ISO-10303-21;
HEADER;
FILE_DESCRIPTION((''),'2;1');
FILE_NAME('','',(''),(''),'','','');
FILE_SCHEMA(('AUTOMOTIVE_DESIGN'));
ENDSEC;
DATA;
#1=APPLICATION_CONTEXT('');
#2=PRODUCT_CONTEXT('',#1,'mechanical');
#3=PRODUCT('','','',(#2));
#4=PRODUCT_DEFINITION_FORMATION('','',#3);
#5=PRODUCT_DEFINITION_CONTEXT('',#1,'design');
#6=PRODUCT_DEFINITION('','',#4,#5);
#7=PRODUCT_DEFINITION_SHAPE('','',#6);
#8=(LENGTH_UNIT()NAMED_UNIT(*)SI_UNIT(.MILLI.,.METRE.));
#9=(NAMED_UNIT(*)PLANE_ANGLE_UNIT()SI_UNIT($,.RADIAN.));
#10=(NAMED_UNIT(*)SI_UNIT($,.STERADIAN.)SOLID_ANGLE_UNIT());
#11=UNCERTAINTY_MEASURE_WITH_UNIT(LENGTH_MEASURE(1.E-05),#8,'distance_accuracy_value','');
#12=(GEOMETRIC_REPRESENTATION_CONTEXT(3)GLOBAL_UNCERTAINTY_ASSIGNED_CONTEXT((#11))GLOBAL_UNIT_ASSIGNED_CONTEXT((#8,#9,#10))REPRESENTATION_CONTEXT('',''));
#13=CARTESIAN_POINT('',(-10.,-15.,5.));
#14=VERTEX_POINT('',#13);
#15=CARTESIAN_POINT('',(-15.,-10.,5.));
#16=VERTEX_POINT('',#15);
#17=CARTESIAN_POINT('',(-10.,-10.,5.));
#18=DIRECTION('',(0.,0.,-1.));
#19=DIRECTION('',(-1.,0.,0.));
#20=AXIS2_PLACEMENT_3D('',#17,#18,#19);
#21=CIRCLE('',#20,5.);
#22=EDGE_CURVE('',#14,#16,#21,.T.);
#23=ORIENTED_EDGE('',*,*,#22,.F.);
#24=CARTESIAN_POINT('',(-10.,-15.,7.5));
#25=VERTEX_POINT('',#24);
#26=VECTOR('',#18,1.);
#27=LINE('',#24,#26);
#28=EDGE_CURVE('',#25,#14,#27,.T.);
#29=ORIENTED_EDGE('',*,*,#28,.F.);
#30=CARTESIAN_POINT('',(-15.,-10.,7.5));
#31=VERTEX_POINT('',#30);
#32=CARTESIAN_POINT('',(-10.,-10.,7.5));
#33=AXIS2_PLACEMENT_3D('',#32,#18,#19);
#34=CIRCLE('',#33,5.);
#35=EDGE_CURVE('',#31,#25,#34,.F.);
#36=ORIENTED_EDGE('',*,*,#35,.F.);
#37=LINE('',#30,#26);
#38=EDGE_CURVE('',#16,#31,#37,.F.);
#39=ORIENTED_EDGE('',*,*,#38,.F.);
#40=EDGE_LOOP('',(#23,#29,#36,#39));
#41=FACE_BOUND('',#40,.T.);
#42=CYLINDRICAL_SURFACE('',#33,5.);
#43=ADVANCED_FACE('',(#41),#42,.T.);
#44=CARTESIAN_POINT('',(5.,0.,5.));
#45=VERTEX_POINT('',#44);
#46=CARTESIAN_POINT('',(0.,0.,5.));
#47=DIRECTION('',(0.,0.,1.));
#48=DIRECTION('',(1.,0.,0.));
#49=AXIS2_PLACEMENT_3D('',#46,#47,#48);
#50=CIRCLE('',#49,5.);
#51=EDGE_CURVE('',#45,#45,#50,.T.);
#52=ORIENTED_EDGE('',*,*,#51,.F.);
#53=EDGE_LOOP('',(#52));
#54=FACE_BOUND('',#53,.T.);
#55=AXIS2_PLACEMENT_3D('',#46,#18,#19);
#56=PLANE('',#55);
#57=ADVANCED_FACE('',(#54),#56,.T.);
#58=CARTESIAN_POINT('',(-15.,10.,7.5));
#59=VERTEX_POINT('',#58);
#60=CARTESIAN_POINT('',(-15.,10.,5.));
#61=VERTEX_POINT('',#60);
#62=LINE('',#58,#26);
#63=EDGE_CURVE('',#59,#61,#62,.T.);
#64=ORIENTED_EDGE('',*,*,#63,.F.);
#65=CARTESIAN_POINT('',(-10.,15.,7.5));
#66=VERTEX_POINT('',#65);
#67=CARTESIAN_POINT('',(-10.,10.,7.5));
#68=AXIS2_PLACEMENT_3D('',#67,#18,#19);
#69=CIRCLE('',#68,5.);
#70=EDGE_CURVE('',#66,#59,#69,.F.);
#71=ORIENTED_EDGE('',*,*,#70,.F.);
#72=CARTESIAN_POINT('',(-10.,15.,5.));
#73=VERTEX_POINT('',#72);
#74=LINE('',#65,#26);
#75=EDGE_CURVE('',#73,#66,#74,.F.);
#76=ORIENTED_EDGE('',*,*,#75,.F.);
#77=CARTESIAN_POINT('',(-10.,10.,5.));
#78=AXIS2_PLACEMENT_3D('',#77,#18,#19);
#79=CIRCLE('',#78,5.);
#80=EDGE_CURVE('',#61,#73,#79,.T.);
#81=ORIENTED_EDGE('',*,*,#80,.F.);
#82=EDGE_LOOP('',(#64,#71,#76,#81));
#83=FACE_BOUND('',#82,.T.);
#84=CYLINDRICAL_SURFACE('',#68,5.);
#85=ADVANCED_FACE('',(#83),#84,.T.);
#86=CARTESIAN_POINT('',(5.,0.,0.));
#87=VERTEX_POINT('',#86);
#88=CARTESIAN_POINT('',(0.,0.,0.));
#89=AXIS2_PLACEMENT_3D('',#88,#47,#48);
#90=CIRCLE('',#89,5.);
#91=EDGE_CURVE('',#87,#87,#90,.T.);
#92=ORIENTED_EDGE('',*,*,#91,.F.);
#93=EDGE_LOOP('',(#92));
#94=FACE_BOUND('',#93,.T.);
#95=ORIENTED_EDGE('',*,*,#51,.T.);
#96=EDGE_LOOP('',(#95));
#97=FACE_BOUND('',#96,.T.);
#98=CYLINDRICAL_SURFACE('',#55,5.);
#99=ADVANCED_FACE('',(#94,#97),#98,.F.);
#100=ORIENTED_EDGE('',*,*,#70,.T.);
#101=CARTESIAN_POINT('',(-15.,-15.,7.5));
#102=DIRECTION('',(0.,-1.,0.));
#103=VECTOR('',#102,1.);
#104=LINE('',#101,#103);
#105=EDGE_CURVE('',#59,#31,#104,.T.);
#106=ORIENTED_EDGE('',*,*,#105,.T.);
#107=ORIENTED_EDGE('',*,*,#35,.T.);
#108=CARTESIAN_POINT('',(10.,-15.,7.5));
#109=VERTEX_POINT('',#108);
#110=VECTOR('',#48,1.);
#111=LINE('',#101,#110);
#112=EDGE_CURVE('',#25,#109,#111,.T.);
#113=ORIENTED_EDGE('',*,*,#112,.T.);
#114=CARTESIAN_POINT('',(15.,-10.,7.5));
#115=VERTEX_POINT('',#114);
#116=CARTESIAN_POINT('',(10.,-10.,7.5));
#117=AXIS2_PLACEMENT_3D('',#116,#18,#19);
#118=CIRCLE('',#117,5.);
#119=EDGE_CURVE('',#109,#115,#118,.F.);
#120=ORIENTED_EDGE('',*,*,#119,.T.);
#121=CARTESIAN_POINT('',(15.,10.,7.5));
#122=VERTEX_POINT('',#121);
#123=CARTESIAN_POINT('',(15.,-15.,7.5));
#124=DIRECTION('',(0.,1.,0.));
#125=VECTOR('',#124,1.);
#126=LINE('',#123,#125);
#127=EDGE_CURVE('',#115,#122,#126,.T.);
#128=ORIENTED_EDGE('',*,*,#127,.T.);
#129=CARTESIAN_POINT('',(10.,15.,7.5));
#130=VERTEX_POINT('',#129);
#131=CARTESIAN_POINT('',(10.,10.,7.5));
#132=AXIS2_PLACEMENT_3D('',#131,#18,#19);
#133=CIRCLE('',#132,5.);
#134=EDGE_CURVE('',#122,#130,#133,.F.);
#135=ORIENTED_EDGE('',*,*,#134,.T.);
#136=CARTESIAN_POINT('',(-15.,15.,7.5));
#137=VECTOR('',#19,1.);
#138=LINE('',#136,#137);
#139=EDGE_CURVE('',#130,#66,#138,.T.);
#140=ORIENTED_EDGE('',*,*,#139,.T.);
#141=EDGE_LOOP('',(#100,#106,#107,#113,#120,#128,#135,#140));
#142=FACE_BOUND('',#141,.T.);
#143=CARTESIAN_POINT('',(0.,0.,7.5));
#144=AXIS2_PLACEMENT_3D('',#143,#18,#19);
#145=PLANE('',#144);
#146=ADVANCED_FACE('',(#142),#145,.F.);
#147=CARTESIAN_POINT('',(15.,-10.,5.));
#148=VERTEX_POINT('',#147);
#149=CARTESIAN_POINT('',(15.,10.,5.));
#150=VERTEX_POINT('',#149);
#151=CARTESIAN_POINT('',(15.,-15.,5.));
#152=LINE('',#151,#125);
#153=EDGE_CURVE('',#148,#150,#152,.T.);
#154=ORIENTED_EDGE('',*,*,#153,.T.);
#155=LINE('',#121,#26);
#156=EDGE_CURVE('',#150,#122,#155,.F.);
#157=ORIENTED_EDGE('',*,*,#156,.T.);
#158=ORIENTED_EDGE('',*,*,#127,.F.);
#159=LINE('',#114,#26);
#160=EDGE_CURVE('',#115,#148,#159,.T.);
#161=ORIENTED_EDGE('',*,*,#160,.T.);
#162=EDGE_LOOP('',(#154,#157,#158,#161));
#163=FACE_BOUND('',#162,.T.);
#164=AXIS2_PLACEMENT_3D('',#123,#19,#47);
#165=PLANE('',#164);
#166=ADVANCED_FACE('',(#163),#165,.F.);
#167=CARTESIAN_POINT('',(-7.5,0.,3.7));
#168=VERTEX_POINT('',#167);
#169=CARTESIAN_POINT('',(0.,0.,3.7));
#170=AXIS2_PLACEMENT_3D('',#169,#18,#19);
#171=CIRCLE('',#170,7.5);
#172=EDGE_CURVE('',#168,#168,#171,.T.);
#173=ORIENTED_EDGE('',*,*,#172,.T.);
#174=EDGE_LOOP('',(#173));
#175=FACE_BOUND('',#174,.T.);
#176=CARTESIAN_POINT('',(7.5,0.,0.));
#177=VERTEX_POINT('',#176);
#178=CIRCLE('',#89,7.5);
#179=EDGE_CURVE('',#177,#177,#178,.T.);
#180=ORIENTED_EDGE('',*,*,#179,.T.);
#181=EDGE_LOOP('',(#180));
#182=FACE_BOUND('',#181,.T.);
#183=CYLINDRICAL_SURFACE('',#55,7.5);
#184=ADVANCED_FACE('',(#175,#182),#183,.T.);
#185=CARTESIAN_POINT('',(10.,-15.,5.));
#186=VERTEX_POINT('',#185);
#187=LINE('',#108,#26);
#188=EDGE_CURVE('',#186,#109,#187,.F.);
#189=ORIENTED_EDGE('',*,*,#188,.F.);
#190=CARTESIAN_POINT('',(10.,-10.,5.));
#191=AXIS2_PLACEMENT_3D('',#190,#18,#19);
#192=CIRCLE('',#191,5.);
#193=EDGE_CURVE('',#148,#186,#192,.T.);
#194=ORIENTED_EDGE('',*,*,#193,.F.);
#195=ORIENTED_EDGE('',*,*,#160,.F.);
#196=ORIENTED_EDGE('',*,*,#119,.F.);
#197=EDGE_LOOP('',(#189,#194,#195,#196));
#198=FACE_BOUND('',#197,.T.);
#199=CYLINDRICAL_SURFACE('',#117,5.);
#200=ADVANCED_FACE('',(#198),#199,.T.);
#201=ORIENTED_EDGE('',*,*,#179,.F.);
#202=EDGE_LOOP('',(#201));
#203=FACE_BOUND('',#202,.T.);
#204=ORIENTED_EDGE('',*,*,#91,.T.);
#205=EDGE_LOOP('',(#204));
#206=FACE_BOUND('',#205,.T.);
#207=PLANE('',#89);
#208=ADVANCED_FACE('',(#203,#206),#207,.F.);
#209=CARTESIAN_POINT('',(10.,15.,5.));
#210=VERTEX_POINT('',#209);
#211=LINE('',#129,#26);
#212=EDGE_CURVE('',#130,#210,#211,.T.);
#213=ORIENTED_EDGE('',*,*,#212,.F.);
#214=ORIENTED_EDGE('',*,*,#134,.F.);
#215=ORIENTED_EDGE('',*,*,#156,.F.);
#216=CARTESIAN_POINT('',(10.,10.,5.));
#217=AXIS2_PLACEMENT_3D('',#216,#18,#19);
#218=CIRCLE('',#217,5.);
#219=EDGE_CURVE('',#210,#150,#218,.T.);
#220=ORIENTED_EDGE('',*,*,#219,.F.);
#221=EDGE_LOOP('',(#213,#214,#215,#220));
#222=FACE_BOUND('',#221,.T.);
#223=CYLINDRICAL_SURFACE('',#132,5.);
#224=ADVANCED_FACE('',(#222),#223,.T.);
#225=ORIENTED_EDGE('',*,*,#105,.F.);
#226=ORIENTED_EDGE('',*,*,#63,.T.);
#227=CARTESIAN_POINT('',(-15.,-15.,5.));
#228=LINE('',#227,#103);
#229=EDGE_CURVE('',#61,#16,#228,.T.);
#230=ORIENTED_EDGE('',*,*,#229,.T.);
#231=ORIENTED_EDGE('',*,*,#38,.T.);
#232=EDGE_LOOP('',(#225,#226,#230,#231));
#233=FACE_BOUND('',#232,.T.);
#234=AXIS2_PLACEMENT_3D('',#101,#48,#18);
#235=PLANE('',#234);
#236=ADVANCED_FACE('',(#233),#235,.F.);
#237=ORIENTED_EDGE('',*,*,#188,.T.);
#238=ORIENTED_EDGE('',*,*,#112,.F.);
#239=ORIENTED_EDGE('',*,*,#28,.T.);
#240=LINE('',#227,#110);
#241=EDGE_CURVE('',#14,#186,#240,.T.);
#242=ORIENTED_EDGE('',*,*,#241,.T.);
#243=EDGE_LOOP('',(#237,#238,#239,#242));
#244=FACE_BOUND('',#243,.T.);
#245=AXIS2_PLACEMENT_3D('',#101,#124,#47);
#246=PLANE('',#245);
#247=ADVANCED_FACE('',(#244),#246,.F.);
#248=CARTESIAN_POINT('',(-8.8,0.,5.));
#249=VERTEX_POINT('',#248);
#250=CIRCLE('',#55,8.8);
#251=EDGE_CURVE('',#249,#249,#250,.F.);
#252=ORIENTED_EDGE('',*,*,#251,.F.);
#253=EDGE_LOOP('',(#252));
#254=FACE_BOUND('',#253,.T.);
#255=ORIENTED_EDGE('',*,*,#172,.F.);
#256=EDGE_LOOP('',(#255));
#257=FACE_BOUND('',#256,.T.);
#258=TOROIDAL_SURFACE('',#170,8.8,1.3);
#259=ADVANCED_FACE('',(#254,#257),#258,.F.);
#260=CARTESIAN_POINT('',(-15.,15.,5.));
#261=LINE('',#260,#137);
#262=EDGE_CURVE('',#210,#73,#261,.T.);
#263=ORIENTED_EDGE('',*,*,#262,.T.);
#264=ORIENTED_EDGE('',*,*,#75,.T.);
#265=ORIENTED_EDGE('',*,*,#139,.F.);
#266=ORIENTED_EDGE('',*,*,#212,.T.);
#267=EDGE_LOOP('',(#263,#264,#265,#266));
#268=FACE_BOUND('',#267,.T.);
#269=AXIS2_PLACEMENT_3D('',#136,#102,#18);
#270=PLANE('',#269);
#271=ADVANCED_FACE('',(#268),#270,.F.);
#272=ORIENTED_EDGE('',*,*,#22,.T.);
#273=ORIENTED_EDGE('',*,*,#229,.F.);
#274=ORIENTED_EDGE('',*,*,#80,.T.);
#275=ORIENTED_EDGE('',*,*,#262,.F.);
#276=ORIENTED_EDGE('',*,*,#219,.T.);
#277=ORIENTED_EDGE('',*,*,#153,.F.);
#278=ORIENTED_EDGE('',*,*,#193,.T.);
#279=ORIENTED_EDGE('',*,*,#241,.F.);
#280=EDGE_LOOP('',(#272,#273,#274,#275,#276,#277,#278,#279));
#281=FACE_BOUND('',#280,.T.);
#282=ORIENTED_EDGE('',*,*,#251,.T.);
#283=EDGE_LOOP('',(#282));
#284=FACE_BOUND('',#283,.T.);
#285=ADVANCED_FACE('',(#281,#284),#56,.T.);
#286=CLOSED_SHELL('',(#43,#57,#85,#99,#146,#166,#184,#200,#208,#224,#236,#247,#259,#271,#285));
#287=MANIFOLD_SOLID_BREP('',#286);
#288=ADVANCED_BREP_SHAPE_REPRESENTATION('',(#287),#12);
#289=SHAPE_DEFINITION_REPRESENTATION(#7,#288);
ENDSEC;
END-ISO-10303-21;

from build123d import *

# Parameters (mm, degrees)
SKETCH1_R           = 7.5
SKETCH1_R_2         = 5
BOSS_EXTRUDE1_DEPTH = 5
SKETCH2_W           = 30
SKETCH2_H           = 30
BOSS_EXTRUDE2_DEPTH = 2.5
FILLET1_R           = 5
FILLET2_R           = 1.3


with BuildPart() as part:
    # Sketch1 → Boss-Extrude1 (new body)
    with BuildSketch(Plane.XY):
        Circle(SKETCH1_R)
        Circle(SKETCH1_R_2, mode=Mode.SUBTRACT)
    extrude(amount=BOSS_EXTRUDE1_DEPTH)

    # Sketch2 → Boss-Extrude2 (add)
    with BuildSketch(Plane.XY.offset(5)):
        Rectangle(SKETCH2_W, SKETCH2_H)
    extrude(amount=BOSS_EXTRUDE2_DEPTH)

    # Fillet1
    fillet1_edges = [part.edges().sort_by_distance(p)[0] for p in [
        (15, -15, 6.25),
        (15, 15, 6.25),
        (-15, 15, 6.25),
        (-15, -15, 6.25),
    ]]
    fillet(fillet1_edges, radius=FILLET1_R)

    # Fillet2
    fillet2_edges = [part.edges().sort_by_distance(p)[0] for p in [
        (-7.5, 0, 5),
    ]]
    fillet(fillet2_edges, radius=FILLET2_R)


solid = part.part
